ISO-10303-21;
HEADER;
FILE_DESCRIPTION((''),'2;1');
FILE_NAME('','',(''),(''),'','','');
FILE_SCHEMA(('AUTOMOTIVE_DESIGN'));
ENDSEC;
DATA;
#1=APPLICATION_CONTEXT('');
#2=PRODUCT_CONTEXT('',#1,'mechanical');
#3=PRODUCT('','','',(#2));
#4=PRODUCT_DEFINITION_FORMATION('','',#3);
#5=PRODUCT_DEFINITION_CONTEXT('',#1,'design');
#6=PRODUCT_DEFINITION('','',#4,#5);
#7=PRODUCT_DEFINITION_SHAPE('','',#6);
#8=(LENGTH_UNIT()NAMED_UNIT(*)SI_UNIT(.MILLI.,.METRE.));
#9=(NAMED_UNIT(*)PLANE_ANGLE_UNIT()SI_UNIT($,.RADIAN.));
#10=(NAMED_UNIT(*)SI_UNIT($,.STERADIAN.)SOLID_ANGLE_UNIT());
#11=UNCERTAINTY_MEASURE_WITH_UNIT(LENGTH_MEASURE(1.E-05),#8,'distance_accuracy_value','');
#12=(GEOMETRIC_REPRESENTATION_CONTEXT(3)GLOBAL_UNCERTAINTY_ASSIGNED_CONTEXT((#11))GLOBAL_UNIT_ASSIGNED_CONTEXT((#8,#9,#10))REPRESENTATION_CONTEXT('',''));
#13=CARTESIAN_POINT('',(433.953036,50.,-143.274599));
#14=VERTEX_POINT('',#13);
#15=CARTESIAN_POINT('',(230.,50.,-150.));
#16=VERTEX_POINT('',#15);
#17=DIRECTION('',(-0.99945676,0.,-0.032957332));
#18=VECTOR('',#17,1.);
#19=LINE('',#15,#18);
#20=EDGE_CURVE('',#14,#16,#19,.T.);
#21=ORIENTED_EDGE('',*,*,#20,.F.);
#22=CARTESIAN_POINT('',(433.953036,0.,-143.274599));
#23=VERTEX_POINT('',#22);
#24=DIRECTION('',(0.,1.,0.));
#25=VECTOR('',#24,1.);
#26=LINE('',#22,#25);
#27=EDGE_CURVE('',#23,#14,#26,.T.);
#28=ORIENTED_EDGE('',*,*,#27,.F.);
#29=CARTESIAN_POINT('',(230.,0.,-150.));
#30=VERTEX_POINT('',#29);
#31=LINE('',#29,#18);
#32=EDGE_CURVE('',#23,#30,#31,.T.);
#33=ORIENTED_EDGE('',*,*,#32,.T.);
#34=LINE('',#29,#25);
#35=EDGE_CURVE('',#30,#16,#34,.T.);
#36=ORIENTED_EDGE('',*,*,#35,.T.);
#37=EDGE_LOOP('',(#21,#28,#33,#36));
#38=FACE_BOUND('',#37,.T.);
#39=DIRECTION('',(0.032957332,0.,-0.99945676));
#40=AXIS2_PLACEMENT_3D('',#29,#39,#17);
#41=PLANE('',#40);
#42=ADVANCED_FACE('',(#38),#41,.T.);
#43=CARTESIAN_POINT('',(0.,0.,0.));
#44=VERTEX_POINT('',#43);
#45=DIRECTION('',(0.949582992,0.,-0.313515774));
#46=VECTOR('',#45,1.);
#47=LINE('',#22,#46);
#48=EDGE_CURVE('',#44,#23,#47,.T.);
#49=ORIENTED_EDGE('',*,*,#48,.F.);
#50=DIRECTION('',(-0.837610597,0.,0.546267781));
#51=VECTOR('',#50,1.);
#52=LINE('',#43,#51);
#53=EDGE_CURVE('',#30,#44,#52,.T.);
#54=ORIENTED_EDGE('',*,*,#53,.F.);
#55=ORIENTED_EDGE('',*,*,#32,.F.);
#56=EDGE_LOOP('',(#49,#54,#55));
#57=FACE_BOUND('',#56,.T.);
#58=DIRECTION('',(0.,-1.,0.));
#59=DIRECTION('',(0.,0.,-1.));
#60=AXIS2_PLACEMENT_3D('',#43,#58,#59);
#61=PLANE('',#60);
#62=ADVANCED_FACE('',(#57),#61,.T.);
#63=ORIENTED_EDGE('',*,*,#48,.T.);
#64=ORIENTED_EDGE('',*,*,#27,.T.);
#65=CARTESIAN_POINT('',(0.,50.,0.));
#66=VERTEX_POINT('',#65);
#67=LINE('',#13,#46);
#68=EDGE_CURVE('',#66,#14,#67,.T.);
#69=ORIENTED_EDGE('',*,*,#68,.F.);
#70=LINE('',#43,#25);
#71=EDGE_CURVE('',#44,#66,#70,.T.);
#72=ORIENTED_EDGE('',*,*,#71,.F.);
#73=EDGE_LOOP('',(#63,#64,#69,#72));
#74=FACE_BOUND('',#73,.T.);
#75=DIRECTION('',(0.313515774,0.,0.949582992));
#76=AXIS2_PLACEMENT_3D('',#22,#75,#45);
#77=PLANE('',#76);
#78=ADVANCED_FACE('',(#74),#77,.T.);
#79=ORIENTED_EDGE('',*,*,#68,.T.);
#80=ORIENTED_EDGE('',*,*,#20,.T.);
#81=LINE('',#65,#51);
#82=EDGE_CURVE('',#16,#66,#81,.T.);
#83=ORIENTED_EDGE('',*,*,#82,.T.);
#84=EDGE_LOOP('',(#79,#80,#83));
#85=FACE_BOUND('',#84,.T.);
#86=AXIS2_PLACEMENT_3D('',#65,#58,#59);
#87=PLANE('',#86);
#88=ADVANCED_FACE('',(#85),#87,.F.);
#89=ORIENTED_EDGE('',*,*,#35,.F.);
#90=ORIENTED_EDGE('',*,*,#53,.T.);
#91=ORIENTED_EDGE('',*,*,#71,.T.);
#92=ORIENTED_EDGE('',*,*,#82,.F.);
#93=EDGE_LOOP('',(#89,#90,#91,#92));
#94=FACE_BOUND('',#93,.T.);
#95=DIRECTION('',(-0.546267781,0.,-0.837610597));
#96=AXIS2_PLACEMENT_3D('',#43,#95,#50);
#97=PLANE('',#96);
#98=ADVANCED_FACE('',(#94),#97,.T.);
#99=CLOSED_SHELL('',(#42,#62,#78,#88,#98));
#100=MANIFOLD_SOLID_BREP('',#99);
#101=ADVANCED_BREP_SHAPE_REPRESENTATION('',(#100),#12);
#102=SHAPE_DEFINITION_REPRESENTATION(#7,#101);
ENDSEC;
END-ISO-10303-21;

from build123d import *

# Parameters (mm, degrees)
SKETCH1_W           = 2300
SKETCH1_H           = 150
BOSS_EXTRUDE1_DEPTH = 50
SKETCH2_OUTSIDE_W   = 2763.086
SKETCH2_OUTSIDE_H   = 613.086
CUT_EXTRUDE1_DEPTH  = 2306.42837668


with BuildPart() as part:
    # Sketch1 → Boss-Extrude1 (new body)
    with BuildSketch(Plane(origin=(0, 0, 0), x_dir=(1, 0, 0), z_dir=(0, 1, 0))):
        with Locations((1150, 75)):
            Rectangle(SKETCH1_W, SKETCH1_H)
    extrude(amount=BOSS_EXTRUDE1_DEPTH)

    # Sketch2 outside → Cut-Extrude1 (cut, through all)
    with BuildSketch(Plane(origin=(0, 50, 0), x_dir=(1, 0, 0), z_dir=(0, 1, 0))):
        with Locations((1150, 75)):
            Rectangle(SKETCH2_OUTSIDE_W, SKETCH2_OUTSIDE_H)
        Polygon((0, 0), (230, 150), (433.953035654, 143.274598577), align=None, mode=Mode.SUBTRACT)
    extrude(amount=-CUT_EXTRUDE1_DEPTH, mode=Mode.SUBTRACT)


solid = part.part
